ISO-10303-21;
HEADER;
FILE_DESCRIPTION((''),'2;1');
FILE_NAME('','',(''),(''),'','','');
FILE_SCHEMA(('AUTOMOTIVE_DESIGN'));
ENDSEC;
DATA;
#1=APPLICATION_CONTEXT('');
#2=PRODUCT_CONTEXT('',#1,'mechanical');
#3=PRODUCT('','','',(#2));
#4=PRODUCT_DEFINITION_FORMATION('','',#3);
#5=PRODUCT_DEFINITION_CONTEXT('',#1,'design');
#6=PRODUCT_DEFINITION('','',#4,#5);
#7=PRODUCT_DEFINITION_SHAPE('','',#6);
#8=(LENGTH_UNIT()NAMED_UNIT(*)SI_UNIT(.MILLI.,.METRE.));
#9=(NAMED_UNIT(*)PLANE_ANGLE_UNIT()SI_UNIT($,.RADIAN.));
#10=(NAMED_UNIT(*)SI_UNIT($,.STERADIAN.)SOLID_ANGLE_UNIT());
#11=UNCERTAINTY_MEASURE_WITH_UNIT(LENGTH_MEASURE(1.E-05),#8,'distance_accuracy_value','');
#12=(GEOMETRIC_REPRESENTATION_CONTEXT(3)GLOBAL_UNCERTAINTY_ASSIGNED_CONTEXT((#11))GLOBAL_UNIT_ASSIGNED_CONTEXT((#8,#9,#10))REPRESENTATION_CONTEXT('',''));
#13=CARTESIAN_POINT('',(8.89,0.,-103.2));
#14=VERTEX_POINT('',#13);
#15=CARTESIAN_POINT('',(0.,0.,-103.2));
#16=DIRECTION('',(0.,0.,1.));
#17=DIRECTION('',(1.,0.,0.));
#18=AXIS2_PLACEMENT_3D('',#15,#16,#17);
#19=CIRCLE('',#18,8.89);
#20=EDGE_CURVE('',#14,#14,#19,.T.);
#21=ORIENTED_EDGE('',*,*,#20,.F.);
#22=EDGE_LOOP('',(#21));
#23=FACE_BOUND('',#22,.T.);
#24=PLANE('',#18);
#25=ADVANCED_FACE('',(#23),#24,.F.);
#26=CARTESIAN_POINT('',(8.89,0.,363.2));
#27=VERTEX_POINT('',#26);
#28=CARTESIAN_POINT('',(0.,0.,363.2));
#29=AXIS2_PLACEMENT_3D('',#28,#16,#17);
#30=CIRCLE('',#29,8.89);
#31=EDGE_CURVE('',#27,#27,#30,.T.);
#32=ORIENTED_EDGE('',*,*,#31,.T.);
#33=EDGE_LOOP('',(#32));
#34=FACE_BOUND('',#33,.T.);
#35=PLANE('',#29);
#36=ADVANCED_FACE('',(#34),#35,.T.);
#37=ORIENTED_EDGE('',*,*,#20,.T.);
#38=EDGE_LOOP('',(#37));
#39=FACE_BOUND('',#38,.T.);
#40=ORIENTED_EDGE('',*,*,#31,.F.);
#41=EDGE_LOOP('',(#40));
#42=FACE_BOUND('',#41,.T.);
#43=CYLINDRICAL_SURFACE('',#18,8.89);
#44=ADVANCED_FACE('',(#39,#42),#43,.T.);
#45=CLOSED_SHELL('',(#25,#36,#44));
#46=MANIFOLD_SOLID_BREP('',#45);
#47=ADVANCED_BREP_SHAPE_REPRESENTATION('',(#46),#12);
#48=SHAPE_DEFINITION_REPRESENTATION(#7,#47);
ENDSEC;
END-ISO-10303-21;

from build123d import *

# Parameters (mm, degrees)
BOSS_EXTRUDE1_DEPTH      = 363.2
BOSS_EXTRUDE1_DEPTH_BACK = 103.2
SKETCH1_R                = 8.89


with BuildPart() as part:
    # Sketch1 → Boss-Extrude1 (new, two sides: drawn at the far end of the back side and taken through both)
    with BuildSketch(Plane.XY.offset(-BOSS_EXTRUDE1_DEPTH_BACK)):
        Circle(SKETCH1_R)
    extrude(amount=BOSS_EXTRUDE1_DEPTH + BOSS_EXTRUDE1_DEPTH_BACK)


solid = part.part
